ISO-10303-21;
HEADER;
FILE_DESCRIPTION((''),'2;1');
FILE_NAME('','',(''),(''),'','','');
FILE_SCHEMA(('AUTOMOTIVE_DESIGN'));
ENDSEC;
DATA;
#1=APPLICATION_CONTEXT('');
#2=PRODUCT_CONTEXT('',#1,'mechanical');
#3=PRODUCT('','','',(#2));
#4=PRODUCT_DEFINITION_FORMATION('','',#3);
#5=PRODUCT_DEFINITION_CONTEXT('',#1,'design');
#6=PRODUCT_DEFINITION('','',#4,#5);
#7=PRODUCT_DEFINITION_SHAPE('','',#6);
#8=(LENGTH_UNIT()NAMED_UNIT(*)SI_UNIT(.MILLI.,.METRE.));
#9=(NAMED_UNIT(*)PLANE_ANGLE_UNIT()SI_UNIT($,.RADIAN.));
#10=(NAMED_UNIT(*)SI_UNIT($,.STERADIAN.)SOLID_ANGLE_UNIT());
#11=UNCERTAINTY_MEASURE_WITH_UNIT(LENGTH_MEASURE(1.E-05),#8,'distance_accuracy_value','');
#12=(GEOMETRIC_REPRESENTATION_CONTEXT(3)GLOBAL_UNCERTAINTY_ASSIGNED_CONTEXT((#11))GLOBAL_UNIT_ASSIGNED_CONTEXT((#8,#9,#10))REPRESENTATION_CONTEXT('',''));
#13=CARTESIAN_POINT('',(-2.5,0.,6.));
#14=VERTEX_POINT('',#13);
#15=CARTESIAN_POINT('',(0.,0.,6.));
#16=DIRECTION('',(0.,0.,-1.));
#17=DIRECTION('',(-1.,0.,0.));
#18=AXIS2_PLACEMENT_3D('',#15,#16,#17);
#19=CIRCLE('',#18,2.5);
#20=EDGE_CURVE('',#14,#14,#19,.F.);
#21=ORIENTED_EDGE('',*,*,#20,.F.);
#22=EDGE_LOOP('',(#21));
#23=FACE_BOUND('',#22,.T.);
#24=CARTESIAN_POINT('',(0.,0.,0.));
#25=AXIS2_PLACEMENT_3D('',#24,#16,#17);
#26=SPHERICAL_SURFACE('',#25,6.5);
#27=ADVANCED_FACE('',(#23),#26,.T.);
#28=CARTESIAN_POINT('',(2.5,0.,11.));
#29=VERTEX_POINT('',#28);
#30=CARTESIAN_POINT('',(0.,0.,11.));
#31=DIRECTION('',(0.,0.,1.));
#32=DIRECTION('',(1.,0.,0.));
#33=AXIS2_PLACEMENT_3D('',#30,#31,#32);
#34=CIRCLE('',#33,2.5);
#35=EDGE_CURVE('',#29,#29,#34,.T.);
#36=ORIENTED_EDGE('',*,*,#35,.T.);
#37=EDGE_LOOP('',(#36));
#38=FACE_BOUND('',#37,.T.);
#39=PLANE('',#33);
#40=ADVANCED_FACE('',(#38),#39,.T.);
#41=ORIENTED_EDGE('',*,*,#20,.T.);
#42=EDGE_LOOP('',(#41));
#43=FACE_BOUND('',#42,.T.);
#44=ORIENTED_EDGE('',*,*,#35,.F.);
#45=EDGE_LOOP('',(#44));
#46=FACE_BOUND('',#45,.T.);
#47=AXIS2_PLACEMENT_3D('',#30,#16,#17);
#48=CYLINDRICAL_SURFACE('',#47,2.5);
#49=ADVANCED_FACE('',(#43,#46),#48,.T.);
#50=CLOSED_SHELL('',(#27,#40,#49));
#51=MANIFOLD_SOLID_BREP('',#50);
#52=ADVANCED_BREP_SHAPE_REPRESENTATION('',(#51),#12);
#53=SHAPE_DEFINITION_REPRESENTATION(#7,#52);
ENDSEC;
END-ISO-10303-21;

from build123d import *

# Parameters (mm, degrees)
SKETCH2_R           = 2.5
BOSS_EXTRUDE1_DEPTH = 11


with BuildPart() as part:
    # Sketch1 → Revolve1 (revolve)
    with BuildSketch(Plane.XY):
        with BuildLine():
            Line((0, 6.5), (0, -6.5))
            ThreePointArc((0, -6.5), (6.5, 0), (0, 6.5))
        make_face()
    revolve(axis=Axis((0, 11.820812498, 0), (0, -1, 0)))

    # Sketch2 → Boss-Extrude1 (add)
    with BuildSketch(Plane.XY):
        Circle(SKETCH2_R)
    extrude(amount=BOSS_EXTRUDE1_DEPTH)


solid = part.part
